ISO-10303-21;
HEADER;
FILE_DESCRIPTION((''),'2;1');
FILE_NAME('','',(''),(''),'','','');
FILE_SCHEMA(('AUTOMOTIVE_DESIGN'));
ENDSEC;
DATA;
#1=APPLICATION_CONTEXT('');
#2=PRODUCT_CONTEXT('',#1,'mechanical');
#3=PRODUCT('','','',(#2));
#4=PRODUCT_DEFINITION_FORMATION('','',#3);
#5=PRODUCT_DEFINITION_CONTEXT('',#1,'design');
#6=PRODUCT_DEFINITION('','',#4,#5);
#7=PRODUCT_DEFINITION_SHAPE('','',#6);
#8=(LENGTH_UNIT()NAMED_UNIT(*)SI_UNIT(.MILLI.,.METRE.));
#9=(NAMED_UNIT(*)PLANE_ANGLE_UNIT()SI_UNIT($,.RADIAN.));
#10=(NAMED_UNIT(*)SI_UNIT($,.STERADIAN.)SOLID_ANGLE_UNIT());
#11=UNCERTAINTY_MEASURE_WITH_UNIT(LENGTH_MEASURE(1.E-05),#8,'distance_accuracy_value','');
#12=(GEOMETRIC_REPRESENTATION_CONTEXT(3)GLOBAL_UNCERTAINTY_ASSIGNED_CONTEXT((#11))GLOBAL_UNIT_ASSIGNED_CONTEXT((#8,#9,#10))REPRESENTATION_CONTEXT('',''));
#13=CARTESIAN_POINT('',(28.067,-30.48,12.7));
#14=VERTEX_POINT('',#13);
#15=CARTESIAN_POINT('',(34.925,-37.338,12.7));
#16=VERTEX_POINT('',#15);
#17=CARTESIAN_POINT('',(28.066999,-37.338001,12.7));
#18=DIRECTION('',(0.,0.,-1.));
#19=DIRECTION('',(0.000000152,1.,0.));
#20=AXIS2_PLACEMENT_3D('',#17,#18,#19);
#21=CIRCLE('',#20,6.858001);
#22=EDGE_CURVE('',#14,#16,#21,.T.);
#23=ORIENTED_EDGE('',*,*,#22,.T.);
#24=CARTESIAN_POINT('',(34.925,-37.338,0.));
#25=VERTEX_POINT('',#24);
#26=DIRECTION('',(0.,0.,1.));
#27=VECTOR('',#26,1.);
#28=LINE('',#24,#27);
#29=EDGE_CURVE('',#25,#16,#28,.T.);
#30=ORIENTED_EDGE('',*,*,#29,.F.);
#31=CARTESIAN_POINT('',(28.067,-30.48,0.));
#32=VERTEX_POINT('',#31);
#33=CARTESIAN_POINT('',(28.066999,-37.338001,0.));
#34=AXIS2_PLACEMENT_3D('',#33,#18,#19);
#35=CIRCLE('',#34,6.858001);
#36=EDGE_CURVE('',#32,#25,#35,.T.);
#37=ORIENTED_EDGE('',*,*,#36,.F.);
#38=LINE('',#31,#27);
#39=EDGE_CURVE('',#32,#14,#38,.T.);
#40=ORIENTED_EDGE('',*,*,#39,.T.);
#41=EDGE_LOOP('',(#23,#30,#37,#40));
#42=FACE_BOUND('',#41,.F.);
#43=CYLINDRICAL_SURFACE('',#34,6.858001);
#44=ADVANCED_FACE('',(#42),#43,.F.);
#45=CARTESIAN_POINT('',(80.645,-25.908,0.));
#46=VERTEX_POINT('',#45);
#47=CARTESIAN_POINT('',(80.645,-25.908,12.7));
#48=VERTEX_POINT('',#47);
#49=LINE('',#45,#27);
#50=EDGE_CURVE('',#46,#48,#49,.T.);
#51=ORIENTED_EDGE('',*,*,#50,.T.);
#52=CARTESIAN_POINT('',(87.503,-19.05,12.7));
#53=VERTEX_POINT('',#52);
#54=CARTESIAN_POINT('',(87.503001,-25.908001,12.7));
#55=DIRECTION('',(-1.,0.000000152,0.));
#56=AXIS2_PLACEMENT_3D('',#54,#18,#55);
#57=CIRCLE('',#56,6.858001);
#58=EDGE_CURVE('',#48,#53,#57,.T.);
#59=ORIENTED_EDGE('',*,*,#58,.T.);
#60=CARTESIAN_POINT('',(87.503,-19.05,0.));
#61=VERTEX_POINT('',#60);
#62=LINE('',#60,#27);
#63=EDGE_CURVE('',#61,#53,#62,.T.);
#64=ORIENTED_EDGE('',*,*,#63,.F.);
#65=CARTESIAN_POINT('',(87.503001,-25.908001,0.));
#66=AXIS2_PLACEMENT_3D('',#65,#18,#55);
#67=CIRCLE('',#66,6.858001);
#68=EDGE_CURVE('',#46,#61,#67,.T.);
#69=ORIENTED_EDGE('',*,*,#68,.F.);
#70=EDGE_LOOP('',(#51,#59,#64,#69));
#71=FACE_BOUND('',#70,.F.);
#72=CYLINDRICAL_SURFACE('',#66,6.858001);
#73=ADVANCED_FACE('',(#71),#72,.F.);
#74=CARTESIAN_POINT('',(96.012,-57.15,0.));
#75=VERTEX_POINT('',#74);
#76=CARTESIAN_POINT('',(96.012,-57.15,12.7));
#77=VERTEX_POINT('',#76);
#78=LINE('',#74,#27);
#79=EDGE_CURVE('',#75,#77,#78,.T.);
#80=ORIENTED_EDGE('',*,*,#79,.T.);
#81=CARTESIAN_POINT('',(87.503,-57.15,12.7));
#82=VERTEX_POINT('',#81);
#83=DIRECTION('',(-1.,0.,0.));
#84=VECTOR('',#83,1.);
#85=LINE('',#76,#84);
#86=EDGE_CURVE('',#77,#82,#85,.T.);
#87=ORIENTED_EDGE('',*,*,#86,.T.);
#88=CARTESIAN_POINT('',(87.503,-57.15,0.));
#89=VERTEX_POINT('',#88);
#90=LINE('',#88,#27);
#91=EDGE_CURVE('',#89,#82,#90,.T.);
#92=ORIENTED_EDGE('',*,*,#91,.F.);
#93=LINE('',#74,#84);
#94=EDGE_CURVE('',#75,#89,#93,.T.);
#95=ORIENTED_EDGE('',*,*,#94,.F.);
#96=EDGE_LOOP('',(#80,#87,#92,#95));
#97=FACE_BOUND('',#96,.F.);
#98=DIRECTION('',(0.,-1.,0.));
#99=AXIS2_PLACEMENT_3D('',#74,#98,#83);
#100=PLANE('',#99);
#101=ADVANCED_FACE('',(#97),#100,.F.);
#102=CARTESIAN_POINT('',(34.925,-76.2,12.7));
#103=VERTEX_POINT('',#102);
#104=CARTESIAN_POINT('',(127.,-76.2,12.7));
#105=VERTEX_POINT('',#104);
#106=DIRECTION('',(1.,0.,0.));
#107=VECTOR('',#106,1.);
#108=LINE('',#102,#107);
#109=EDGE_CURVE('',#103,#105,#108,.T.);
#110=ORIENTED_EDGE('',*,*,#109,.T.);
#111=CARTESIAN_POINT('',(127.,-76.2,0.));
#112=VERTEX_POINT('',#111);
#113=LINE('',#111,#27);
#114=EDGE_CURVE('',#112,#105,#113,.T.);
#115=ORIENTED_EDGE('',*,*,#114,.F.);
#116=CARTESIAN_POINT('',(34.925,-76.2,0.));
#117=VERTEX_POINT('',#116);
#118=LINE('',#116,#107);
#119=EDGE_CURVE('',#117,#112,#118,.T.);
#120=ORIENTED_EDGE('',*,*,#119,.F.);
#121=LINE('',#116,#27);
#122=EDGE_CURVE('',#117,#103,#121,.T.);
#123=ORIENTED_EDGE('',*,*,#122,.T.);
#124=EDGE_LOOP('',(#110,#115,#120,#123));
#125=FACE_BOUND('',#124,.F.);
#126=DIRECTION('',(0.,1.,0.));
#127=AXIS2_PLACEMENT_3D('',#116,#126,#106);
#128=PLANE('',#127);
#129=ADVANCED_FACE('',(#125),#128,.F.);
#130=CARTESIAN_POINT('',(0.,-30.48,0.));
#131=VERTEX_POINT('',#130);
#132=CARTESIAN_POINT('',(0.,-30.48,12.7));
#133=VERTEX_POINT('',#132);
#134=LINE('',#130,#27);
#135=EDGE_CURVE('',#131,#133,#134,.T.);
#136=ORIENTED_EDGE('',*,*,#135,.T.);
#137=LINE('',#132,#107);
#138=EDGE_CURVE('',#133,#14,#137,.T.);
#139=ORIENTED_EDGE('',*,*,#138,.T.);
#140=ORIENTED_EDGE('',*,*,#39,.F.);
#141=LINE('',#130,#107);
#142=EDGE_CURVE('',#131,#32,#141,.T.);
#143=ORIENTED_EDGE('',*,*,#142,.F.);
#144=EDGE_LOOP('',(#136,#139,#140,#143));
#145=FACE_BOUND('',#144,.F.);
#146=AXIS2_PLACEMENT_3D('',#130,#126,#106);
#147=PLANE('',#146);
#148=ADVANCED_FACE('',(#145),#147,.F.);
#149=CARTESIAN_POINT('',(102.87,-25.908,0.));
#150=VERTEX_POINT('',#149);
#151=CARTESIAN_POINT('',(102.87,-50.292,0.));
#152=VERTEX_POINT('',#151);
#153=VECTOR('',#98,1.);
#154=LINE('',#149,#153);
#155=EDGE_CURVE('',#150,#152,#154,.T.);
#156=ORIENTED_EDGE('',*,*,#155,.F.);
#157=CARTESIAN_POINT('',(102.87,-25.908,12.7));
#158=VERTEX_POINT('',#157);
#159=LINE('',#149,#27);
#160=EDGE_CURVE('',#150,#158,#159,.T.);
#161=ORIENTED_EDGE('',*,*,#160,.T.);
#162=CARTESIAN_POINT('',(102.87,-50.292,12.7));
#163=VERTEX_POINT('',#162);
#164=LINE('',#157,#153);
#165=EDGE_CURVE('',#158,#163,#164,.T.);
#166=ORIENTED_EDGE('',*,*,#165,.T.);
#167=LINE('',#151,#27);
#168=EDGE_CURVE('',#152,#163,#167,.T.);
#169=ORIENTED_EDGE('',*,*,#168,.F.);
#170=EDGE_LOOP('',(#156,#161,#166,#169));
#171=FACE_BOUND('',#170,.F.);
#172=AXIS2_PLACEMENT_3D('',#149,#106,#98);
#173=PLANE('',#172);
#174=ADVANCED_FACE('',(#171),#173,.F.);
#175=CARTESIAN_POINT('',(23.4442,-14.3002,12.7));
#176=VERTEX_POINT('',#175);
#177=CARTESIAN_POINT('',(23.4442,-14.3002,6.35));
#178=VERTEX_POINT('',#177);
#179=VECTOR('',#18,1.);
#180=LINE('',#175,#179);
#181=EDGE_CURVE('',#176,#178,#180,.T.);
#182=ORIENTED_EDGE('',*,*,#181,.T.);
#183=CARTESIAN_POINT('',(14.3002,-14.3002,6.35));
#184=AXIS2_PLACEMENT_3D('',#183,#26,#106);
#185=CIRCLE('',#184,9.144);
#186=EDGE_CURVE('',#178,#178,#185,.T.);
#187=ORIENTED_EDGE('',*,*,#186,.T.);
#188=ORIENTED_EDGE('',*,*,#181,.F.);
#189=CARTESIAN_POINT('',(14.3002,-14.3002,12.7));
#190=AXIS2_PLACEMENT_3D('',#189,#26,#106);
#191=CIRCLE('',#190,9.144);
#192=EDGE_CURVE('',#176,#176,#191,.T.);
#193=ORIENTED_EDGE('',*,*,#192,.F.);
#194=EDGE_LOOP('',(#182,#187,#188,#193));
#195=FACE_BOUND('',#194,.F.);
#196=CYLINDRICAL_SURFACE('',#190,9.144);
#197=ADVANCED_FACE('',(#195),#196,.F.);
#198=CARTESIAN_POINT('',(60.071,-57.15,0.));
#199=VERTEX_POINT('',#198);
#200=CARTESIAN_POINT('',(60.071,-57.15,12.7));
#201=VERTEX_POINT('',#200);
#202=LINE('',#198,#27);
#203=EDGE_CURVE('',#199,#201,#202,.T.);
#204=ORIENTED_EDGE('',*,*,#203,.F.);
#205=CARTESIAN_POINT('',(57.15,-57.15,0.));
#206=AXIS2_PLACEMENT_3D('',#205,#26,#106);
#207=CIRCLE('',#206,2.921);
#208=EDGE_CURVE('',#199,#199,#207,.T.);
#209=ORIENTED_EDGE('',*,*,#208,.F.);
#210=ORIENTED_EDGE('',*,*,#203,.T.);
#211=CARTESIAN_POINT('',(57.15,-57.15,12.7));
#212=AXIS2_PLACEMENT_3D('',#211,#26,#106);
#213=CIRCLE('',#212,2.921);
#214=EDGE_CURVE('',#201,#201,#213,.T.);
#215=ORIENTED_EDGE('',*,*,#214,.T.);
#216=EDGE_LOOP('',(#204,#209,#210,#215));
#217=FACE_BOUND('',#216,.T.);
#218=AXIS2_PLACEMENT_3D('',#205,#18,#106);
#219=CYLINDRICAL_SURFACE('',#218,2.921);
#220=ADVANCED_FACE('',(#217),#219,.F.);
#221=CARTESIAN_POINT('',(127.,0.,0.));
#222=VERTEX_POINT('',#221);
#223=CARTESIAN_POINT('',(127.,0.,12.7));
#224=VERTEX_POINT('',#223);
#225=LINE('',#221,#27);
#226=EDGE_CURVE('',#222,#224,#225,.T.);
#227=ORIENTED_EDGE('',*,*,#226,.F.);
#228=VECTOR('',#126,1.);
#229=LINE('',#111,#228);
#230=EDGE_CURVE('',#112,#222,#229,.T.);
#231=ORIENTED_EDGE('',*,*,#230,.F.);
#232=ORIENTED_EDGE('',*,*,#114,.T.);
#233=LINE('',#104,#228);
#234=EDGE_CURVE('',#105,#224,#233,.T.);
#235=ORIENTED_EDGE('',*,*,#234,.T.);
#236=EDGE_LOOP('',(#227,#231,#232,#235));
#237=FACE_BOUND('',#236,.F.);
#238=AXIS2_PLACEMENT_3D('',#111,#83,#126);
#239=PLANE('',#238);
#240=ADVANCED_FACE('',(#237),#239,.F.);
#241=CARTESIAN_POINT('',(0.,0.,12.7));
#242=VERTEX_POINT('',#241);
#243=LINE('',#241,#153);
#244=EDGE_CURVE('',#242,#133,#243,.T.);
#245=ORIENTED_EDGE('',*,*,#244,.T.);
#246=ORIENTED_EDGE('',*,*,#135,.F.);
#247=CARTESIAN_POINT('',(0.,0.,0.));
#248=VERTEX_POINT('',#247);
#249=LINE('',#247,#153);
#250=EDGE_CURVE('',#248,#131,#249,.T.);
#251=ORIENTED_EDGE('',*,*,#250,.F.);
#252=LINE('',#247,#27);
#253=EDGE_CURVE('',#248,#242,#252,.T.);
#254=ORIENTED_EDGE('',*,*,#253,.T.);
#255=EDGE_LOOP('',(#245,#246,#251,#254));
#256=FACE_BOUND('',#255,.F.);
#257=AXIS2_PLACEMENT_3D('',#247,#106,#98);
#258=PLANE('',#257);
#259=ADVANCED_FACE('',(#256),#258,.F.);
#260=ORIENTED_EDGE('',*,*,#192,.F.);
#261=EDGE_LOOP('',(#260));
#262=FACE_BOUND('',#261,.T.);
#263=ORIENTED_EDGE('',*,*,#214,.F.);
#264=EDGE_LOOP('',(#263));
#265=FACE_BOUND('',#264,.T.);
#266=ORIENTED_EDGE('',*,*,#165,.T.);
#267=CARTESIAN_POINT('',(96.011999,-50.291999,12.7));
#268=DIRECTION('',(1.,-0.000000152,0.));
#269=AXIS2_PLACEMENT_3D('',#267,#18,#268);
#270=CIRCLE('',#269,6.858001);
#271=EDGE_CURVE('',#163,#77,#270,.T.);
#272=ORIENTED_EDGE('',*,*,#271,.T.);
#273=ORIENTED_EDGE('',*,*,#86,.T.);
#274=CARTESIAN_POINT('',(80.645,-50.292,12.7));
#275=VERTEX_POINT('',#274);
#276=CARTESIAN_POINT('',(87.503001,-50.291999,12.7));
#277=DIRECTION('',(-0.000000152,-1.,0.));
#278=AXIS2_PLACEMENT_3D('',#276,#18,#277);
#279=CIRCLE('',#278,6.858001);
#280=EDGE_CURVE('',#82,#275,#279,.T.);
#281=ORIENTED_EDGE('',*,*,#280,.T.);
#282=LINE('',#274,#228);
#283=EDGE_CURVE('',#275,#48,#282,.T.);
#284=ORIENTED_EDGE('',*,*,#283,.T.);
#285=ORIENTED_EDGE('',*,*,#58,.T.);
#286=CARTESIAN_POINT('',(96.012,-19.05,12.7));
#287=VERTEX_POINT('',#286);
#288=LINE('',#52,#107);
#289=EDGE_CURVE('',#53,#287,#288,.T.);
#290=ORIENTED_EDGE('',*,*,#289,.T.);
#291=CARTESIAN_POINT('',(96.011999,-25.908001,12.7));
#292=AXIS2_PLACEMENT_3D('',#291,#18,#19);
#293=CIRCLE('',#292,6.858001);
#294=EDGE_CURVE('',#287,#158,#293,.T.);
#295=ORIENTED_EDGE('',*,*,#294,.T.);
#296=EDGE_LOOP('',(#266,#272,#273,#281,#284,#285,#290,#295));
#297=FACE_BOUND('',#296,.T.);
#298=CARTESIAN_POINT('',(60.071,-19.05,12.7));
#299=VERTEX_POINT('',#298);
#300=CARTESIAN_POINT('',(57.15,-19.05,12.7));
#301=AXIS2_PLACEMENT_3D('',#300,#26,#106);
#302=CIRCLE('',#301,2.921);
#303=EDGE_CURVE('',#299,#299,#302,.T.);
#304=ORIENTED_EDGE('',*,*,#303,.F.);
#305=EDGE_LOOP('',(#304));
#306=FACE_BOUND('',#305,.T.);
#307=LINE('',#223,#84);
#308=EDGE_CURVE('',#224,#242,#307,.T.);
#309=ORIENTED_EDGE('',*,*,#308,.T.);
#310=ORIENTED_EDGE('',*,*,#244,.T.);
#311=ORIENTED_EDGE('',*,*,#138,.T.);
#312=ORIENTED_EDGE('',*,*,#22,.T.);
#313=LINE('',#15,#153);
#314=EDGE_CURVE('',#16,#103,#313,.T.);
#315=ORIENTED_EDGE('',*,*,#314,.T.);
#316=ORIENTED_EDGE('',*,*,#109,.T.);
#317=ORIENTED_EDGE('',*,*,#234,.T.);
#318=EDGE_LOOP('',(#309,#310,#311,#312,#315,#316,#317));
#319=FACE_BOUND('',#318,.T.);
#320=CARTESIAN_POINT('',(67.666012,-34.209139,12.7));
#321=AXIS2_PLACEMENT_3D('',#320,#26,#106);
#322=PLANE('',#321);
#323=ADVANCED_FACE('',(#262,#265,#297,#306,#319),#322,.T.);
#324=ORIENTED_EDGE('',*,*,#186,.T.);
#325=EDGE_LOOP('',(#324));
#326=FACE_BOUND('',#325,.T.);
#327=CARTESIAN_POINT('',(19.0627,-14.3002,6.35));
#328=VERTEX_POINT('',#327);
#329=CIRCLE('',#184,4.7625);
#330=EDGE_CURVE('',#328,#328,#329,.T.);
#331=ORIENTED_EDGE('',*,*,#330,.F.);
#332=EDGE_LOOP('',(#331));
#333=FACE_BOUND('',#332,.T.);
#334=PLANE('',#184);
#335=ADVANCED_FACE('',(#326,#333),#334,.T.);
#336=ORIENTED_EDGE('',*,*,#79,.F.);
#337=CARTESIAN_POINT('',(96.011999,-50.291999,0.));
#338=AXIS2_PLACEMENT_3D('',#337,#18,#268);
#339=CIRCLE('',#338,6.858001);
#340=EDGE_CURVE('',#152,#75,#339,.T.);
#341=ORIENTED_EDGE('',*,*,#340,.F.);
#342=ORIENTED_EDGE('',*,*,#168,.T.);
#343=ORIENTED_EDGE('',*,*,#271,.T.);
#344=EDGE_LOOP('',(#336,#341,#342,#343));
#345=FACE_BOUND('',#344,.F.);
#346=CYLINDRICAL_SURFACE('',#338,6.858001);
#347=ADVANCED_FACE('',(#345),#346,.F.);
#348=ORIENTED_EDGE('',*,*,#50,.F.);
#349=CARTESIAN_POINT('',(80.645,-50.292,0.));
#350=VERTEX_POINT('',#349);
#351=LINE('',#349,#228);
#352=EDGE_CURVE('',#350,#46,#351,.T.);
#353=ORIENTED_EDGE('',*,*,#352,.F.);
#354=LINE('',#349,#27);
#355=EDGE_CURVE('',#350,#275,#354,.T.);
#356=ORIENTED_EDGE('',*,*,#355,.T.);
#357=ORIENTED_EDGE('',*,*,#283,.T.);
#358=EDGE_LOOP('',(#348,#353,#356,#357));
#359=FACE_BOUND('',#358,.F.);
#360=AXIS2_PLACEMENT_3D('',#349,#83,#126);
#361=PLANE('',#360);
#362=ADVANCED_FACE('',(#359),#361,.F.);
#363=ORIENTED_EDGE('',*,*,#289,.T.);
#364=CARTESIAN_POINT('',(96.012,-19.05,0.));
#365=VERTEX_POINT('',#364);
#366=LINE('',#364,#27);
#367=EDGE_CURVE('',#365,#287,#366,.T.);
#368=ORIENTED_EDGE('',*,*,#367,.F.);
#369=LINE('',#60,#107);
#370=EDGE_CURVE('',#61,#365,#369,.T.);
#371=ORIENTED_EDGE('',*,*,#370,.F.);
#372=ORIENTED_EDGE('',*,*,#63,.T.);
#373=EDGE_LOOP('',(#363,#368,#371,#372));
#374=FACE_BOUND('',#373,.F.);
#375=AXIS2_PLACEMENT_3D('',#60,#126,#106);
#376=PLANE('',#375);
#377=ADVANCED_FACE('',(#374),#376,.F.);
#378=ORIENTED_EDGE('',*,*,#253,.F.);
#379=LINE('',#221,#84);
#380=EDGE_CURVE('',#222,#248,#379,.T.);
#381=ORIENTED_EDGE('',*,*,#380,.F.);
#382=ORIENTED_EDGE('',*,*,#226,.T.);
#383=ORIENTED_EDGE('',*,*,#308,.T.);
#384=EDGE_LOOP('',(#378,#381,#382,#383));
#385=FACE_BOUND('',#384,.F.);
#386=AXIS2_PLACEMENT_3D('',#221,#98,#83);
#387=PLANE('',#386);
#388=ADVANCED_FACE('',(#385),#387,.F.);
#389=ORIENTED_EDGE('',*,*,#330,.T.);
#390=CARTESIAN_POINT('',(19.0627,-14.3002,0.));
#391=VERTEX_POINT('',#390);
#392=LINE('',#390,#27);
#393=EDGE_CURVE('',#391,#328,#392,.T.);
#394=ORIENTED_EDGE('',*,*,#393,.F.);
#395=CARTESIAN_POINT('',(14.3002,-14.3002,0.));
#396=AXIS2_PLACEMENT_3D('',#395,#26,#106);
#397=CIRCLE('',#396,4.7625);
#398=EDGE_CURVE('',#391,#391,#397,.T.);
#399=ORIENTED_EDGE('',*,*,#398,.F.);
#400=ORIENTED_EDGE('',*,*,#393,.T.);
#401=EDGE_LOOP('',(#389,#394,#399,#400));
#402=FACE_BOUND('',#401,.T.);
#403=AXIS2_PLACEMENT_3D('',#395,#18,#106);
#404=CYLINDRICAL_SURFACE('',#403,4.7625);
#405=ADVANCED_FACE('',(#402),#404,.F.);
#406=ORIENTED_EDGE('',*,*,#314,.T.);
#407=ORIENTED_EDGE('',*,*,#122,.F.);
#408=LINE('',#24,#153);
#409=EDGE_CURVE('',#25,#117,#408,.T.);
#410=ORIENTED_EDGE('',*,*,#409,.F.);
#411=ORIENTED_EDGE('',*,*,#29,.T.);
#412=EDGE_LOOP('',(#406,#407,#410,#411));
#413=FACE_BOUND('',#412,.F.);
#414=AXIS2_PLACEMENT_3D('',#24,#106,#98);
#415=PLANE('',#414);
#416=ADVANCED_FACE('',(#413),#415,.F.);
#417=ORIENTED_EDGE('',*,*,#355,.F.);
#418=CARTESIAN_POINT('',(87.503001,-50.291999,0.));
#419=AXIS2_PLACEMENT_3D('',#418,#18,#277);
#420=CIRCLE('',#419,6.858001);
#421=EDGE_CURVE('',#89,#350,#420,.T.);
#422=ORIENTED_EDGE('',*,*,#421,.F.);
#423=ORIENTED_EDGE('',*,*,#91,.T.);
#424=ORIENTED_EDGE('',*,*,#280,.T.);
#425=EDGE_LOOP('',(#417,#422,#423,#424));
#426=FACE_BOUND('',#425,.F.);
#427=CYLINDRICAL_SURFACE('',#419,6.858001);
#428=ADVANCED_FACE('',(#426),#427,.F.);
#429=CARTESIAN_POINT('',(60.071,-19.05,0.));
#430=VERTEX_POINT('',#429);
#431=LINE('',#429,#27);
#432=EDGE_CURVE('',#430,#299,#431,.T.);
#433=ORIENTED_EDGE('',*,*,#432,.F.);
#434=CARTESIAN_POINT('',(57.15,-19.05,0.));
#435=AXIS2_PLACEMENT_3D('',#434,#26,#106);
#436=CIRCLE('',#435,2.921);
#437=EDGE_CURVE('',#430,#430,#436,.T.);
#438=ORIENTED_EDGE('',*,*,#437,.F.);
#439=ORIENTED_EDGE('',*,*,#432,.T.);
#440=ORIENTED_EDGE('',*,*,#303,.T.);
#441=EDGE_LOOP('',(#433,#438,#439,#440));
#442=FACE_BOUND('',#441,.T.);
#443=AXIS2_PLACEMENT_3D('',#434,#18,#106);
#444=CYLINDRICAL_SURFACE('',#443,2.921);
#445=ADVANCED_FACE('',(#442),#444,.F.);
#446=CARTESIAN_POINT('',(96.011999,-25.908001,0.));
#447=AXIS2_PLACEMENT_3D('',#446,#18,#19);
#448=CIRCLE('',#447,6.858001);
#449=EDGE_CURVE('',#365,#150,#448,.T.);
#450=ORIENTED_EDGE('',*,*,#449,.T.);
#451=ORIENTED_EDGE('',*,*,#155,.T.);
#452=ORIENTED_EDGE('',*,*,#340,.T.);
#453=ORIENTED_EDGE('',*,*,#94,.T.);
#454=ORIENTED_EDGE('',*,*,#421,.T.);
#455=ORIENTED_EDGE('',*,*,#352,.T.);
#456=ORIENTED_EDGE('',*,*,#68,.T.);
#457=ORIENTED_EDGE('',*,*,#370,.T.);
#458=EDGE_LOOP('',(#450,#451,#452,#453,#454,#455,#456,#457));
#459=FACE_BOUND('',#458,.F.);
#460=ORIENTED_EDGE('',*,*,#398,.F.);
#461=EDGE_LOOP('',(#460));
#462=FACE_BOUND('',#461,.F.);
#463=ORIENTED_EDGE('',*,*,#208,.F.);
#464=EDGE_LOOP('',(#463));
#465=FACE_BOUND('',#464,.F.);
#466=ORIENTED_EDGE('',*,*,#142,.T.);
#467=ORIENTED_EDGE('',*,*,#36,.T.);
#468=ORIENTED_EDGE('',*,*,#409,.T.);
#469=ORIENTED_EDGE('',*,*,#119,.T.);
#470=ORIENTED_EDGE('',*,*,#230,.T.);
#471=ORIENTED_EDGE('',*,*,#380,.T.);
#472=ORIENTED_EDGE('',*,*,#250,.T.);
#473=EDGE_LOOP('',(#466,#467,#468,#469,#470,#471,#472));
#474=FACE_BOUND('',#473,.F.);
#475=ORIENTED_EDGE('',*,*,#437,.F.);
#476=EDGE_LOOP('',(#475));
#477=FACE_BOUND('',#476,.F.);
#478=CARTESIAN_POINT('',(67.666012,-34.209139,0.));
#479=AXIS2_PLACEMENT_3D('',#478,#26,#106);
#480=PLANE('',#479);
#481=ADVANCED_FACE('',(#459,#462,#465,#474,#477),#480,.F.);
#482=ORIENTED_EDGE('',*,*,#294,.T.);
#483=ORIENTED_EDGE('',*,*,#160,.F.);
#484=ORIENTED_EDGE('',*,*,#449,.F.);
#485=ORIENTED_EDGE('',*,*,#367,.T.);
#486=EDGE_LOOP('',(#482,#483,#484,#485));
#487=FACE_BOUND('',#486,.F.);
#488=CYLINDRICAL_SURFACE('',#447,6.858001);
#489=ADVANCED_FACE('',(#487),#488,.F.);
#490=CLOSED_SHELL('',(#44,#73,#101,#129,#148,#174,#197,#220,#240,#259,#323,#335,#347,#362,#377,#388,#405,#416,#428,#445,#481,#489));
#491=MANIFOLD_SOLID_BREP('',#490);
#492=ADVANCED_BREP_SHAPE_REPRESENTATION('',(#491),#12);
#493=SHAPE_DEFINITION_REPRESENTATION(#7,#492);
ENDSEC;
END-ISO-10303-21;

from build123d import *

# Parameters (mm, degrees)
F0_R     = 2.921
F0_R_2   = 4.7625
F1_DEPTH = 12.7
F2_R     = 9.144
F2_R_2   = 4.7625
F3_DEPTH = 6.35


with BuildPart() as f1:
    # F0 (on Top) → F1 (new body)
    with BuildSketch(Plane.XY):
        with BuildLine():
            Line((127, 0), (0, 0))
            Line((0, 0), (0, -30.48))
            Line((0, -30.48), (28.067, -30.48))
            ThreePointArc((28.067, -30.48), (32.916338, -32.488662), (34.925, -37.338))
            Line((34.925, -37.338), (34.925, -76.2))
            Line((34.925, -76.2), (127, -76.2))
            Line((127, -76.2), (127, 0))
        make_face()
        with Locations((57.15, -57.15)):
            Circle(F0_R, mode=Mode.SUBTRACT)
        with Locations((14.3002, -14.3002)):
            Circle(F0_R_2, mode=Mode.SUBTRACT)
        with Locations((57.15, -19.05)):
            Circle(F0_R, mode=Mode.SUBTRACT)
        with BuildLine():
            ThreePointArc((102.87, -50.292), (100.861338, -55.141338), (96.012, -57.15))
            Line((96.012, -57.15), (87.503, -57.15))
            ThreePointArc((87.503, -57.15), (82.653662, -55.141338), (80.645, -50.292))
            Line((80.645, -50.292), (80.645, -25.908))
            ThreePointArc((80.645, -25.908), (82.653662, -21.058662), (87.503, -19.05))
            Line((87.503, -19.05), (96.012, -19.05))
            ThreePointArc((96.012, -19.05), (100.861338, -21.058662), (102.87, -25.908))
            Line((102.87, -25.908), (102.87, -50.292))
        make_face(mode=Mode.SUBTRACT)
    extrude(amount=F1_DEPTH)

    # F2 (on face) → F3 (cut)
    with BuildSketch(Plane.XY.offset(12.7)):
        with Locations((14.3002, -14.3002)):
            Circle(F2_R)
        with Locations((14.3002, -14.3002)):
            Circle(F2_R_2, mode=Mode.SUBTRACT)
    extrude(amount=-F3_DEPTH, mode=Mode.SUBTRACT)


solid = f1.part
